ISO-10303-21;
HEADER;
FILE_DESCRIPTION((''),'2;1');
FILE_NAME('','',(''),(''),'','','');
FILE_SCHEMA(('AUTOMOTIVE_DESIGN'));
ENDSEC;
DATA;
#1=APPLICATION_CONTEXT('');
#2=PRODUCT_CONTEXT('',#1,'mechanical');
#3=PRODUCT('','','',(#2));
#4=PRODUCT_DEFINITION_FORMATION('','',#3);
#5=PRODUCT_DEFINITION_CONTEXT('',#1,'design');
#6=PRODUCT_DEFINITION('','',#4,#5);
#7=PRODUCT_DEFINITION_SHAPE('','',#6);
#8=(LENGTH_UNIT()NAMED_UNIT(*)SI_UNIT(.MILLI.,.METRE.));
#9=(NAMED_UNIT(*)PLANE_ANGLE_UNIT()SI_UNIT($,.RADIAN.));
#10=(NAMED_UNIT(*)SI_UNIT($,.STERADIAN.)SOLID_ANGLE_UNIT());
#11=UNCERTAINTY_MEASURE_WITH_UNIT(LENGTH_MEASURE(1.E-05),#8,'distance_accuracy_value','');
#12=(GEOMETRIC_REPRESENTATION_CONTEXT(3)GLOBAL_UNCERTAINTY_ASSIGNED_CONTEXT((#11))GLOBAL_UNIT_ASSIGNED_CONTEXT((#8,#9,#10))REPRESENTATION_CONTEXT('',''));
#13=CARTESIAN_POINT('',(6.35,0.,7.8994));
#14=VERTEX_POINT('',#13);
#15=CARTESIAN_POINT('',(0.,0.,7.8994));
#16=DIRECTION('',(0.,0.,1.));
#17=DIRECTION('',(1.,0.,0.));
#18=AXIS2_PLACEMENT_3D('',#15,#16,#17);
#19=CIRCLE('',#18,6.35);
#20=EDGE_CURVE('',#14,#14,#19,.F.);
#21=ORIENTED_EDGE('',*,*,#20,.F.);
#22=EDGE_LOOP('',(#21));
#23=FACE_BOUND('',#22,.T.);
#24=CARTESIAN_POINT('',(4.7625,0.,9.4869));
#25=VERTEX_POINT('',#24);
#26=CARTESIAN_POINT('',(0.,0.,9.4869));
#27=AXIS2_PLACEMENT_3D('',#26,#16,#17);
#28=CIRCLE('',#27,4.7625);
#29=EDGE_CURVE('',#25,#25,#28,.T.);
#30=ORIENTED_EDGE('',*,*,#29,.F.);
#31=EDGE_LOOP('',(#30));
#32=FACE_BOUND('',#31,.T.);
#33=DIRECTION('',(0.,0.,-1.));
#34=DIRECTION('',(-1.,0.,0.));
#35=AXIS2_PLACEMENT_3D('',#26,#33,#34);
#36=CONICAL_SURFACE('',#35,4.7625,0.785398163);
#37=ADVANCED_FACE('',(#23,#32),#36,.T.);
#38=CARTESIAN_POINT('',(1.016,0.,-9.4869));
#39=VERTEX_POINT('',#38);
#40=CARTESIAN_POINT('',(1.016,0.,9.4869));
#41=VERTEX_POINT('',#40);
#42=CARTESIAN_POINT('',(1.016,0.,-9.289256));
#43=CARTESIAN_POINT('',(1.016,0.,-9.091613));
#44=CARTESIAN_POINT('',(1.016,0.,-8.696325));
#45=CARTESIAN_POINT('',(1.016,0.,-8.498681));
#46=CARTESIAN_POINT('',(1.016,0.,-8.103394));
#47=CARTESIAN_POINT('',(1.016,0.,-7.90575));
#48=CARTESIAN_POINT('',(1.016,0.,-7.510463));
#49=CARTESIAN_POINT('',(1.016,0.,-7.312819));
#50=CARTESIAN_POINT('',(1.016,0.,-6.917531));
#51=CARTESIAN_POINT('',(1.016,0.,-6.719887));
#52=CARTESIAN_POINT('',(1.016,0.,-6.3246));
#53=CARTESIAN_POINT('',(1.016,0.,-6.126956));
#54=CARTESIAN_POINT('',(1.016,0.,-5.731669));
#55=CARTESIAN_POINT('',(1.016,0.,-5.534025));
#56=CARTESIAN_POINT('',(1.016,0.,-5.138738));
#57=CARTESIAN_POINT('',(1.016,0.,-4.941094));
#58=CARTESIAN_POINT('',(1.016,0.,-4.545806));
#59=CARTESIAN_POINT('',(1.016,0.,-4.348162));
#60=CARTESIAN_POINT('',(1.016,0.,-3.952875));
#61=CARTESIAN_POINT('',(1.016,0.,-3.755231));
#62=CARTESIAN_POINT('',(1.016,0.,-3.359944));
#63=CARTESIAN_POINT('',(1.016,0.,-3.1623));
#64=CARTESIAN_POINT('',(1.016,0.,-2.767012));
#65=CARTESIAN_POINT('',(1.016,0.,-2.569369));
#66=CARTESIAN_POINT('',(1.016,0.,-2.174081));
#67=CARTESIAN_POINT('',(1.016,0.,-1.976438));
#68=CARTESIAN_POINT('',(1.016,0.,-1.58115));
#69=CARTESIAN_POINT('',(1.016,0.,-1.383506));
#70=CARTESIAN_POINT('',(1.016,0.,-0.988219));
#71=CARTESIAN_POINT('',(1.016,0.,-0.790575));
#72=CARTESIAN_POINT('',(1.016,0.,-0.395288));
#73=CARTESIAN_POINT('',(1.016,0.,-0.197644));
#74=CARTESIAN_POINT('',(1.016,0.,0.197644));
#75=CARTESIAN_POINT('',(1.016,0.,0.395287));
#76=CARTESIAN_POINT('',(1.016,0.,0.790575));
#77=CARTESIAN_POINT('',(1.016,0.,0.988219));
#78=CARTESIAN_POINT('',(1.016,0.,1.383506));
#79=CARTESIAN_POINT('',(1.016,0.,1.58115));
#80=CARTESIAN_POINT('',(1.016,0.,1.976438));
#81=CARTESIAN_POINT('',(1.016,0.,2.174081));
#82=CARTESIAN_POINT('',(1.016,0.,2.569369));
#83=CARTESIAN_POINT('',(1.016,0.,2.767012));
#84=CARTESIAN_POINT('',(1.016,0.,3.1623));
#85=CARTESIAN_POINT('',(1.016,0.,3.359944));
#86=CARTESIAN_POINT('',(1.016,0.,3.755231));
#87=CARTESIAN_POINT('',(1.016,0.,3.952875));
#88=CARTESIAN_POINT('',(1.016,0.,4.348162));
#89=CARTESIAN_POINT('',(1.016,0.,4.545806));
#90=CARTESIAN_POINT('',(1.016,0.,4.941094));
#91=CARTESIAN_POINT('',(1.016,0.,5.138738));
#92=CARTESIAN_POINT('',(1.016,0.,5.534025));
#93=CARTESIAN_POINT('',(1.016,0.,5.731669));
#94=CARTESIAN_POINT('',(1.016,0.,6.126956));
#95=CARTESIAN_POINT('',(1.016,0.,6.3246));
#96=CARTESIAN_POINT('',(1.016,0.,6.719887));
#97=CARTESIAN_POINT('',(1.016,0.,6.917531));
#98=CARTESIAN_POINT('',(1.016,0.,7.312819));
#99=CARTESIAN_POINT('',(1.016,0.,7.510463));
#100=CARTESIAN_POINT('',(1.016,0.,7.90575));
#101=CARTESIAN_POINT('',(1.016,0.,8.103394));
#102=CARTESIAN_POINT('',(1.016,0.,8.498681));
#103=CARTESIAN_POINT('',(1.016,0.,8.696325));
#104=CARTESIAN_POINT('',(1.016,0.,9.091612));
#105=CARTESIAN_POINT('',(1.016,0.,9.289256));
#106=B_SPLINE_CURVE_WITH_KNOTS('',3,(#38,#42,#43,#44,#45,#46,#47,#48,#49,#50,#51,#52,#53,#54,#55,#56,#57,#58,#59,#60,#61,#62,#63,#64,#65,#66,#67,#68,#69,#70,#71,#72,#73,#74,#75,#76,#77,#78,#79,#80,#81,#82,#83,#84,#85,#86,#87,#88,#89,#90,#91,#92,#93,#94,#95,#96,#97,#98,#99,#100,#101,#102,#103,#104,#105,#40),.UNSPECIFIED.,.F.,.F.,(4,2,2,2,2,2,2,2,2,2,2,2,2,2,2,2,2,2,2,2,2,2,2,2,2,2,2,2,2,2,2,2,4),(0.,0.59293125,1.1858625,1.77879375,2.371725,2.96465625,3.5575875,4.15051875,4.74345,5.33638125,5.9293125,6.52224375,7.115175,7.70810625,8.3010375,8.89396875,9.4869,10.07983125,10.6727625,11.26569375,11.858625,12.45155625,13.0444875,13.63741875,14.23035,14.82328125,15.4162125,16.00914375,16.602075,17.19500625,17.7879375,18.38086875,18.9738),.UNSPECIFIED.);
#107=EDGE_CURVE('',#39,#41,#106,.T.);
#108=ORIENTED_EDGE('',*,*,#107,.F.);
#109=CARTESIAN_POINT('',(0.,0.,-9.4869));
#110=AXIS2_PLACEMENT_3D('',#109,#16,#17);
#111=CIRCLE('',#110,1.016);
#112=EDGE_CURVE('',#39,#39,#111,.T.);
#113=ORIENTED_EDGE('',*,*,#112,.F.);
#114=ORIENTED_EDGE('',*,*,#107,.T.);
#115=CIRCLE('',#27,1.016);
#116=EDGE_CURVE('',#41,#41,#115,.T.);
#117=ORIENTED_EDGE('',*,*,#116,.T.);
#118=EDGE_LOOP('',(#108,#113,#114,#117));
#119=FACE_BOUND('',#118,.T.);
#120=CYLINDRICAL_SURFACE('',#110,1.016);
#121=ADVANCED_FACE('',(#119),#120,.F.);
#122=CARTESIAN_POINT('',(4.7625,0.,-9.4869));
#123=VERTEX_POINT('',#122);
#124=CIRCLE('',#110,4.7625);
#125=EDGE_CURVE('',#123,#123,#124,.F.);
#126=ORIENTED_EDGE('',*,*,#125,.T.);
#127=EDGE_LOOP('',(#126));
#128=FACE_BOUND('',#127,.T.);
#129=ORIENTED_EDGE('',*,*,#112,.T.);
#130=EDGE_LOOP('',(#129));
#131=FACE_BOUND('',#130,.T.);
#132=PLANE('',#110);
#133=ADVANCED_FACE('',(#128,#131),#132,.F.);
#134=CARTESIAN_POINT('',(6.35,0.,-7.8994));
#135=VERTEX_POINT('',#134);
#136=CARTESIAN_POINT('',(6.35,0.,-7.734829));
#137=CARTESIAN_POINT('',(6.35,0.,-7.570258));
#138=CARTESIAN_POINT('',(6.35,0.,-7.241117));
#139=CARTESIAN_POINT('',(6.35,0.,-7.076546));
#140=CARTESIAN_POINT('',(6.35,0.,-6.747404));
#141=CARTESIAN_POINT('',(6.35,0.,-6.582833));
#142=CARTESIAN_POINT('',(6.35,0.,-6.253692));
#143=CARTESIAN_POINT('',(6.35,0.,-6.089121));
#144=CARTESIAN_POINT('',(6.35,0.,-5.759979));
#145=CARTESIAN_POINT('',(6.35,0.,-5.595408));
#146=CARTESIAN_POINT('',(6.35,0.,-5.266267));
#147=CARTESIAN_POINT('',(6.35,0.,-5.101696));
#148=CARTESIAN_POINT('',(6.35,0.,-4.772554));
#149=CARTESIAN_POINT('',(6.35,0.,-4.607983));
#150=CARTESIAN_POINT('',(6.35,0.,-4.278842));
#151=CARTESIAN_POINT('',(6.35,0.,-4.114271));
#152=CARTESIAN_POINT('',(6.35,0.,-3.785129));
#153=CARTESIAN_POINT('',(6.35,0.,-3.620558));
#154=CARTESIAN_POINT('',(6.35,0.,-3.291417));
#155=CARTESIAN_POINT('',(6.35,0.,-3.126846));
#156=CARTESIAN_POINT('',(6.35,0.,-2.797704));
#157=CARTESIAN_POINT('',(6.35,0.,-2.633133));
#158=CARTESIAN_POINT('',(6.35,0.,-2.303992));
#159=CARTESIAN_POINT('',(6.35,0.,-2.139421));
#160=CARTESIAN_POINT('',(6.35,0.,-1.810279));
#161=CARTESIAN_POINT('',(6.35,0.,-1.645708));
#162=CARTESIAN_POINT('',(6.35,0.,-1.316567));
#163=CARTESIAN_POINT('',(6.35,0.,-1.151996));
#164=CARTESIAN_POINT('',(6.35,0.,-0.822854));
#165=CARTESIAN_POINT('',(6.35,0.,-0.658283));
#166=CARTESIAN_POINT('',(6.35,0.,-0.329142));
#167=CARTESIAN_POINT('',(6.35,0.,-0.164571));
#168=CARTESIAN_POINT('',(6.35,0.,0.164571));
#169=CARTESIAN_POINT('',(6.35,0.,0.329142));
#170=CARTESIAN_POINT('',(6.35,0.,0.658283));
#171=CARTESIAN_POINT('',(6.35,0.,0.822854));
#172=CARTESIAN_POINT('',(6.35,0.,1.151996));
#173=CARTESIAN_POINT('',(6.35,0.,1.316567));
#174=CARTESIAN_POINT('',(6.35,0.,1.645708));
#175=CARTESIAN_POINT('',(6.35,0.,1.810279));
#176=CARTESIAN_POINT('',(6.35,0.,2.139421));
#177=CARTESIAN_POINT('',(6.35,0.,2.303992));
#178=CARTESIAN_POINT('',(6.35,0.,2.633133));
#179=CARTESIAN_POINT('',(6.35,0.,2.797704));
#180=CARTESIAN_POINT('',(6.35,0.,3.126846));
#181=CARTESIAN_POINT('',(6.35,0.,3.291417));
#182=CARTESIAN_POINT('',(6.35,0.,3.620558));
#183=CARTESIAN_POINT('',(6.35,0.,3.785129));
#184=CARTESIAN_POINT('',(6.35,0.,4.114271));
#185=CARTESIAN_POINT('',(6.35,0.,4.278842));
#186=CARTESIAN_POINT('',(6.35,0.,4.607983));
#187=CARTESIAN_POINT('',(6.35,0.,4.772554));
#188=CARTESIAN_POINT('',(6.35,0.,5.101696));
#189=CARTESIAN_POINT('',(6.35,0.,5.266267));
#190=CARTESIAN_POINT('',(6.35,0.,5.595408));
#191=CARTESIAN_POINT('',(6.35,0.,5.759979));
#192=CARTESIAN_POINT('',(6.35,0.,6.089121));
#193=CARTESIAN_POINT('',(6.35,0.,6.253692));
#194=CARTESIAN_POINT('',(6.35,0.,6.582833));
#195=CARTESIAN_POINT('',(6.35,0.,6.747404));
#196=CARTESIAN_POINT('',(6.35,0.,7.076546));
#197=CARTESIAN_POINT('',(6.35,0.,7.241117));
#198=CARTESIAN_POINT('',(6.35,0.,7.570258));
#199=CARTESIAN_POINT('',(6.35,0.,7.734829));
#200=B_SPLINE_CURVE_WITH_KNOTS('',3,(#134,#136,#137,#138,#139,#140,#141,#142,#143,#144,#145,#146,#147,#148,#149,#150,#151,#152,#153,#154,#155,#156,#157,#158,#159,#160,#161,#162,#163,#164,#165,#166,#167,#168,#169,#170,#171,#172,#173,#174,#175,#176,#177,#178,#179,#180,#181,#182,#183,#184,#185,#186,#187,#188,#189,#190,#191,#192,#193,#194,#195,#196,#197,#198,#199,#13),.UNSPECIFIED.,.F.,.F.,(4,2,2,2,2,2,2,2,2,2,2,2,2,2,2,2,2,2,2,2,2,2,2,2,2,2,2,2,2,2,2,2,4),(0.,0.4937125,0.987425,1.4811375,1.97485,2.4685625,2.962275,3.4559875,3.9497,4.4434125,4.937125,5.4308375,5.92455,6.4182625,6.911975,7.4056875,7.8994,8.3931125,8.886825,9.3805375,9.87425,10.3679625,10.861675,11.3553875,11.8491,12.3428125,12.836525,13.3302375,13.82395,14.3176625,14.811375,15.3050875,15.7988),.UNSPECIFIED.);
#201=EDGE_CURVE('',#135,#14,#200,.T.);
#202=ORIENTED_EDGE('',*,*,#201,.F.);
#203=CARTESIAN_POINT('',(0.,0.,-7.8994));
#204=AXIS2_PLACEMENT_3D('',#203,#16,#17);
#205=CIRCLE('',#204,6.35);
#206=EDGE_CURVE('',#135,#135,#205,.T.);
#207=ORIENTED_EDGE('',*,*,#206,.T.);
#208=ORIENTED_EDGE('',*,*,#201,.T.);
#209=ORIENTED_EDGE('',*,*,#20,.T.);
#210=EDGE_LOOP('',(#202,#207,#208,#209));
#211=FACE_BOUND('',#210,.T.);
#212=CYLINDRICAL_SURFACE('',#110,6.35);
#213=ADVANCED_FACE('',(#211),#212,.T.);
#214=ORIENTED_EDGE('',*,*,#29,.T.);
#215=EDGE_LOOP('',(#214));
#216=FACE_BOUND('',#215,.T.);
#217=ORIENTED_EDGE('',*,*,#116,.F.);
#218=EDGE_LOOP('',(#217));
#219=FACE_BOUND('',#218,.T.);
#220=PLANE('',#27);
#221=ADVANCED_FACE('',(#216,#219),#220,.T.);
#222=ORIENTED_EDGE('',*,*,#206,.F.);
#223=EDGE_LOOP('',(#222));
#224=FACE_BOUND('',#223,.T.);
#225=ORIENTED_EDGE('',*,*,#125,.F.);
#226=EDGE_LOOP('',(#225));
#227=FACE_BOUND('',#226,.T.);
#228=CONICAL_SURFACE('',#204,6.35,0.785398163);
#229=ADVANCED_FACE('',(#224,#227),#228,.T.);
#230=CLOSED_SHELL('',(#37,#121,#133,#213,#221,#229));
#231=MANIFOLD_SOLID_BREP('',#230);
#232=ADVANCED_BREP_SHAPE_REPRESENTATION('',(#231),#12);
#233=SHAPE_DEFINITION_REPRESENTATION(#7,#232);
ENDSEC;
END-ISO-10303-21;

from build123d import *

# Parameters (mm, degrees)
BOSS_EXTRUDE1_DEPTH      = 9.4869
BOSS_EXTRUDE1_DEPTH_BACK = 9.4869
SKETCH1_R                = 6.35
SKETCH1_R_2              = 1.016
CHAMFER1_SIZE            = 1.5875


with BuildPart() as part:
    # Sketch1 → Boss-Extrude1 (new, two sides: drawn at the far end of the back side and taken through both)
    with BuildSketch(Plane.XY.offset(-BOSS_EXTRUDE1_DEPTH_BACK)):
        Circle(SKETCH1_R)
        Circle(SKETCH1_R_2, mode=Mode.SUBTRACT)
    extrude(amount=BOSS_EXTRUDE1_DEPTH + BOSS_EXTRUDE1_DEPTH_BACK)

    # Chamfer1
    chamfer1_edges = [part.edges().sort_by_distance(p)[0] for p in [
        (-6.35, 0, -9.4869),
        (-6.35, 0, 9.4869),
    ]]
    chamfer(chamfer1_edges, length=CHAMFER1_SIZE)


solid = part.part
